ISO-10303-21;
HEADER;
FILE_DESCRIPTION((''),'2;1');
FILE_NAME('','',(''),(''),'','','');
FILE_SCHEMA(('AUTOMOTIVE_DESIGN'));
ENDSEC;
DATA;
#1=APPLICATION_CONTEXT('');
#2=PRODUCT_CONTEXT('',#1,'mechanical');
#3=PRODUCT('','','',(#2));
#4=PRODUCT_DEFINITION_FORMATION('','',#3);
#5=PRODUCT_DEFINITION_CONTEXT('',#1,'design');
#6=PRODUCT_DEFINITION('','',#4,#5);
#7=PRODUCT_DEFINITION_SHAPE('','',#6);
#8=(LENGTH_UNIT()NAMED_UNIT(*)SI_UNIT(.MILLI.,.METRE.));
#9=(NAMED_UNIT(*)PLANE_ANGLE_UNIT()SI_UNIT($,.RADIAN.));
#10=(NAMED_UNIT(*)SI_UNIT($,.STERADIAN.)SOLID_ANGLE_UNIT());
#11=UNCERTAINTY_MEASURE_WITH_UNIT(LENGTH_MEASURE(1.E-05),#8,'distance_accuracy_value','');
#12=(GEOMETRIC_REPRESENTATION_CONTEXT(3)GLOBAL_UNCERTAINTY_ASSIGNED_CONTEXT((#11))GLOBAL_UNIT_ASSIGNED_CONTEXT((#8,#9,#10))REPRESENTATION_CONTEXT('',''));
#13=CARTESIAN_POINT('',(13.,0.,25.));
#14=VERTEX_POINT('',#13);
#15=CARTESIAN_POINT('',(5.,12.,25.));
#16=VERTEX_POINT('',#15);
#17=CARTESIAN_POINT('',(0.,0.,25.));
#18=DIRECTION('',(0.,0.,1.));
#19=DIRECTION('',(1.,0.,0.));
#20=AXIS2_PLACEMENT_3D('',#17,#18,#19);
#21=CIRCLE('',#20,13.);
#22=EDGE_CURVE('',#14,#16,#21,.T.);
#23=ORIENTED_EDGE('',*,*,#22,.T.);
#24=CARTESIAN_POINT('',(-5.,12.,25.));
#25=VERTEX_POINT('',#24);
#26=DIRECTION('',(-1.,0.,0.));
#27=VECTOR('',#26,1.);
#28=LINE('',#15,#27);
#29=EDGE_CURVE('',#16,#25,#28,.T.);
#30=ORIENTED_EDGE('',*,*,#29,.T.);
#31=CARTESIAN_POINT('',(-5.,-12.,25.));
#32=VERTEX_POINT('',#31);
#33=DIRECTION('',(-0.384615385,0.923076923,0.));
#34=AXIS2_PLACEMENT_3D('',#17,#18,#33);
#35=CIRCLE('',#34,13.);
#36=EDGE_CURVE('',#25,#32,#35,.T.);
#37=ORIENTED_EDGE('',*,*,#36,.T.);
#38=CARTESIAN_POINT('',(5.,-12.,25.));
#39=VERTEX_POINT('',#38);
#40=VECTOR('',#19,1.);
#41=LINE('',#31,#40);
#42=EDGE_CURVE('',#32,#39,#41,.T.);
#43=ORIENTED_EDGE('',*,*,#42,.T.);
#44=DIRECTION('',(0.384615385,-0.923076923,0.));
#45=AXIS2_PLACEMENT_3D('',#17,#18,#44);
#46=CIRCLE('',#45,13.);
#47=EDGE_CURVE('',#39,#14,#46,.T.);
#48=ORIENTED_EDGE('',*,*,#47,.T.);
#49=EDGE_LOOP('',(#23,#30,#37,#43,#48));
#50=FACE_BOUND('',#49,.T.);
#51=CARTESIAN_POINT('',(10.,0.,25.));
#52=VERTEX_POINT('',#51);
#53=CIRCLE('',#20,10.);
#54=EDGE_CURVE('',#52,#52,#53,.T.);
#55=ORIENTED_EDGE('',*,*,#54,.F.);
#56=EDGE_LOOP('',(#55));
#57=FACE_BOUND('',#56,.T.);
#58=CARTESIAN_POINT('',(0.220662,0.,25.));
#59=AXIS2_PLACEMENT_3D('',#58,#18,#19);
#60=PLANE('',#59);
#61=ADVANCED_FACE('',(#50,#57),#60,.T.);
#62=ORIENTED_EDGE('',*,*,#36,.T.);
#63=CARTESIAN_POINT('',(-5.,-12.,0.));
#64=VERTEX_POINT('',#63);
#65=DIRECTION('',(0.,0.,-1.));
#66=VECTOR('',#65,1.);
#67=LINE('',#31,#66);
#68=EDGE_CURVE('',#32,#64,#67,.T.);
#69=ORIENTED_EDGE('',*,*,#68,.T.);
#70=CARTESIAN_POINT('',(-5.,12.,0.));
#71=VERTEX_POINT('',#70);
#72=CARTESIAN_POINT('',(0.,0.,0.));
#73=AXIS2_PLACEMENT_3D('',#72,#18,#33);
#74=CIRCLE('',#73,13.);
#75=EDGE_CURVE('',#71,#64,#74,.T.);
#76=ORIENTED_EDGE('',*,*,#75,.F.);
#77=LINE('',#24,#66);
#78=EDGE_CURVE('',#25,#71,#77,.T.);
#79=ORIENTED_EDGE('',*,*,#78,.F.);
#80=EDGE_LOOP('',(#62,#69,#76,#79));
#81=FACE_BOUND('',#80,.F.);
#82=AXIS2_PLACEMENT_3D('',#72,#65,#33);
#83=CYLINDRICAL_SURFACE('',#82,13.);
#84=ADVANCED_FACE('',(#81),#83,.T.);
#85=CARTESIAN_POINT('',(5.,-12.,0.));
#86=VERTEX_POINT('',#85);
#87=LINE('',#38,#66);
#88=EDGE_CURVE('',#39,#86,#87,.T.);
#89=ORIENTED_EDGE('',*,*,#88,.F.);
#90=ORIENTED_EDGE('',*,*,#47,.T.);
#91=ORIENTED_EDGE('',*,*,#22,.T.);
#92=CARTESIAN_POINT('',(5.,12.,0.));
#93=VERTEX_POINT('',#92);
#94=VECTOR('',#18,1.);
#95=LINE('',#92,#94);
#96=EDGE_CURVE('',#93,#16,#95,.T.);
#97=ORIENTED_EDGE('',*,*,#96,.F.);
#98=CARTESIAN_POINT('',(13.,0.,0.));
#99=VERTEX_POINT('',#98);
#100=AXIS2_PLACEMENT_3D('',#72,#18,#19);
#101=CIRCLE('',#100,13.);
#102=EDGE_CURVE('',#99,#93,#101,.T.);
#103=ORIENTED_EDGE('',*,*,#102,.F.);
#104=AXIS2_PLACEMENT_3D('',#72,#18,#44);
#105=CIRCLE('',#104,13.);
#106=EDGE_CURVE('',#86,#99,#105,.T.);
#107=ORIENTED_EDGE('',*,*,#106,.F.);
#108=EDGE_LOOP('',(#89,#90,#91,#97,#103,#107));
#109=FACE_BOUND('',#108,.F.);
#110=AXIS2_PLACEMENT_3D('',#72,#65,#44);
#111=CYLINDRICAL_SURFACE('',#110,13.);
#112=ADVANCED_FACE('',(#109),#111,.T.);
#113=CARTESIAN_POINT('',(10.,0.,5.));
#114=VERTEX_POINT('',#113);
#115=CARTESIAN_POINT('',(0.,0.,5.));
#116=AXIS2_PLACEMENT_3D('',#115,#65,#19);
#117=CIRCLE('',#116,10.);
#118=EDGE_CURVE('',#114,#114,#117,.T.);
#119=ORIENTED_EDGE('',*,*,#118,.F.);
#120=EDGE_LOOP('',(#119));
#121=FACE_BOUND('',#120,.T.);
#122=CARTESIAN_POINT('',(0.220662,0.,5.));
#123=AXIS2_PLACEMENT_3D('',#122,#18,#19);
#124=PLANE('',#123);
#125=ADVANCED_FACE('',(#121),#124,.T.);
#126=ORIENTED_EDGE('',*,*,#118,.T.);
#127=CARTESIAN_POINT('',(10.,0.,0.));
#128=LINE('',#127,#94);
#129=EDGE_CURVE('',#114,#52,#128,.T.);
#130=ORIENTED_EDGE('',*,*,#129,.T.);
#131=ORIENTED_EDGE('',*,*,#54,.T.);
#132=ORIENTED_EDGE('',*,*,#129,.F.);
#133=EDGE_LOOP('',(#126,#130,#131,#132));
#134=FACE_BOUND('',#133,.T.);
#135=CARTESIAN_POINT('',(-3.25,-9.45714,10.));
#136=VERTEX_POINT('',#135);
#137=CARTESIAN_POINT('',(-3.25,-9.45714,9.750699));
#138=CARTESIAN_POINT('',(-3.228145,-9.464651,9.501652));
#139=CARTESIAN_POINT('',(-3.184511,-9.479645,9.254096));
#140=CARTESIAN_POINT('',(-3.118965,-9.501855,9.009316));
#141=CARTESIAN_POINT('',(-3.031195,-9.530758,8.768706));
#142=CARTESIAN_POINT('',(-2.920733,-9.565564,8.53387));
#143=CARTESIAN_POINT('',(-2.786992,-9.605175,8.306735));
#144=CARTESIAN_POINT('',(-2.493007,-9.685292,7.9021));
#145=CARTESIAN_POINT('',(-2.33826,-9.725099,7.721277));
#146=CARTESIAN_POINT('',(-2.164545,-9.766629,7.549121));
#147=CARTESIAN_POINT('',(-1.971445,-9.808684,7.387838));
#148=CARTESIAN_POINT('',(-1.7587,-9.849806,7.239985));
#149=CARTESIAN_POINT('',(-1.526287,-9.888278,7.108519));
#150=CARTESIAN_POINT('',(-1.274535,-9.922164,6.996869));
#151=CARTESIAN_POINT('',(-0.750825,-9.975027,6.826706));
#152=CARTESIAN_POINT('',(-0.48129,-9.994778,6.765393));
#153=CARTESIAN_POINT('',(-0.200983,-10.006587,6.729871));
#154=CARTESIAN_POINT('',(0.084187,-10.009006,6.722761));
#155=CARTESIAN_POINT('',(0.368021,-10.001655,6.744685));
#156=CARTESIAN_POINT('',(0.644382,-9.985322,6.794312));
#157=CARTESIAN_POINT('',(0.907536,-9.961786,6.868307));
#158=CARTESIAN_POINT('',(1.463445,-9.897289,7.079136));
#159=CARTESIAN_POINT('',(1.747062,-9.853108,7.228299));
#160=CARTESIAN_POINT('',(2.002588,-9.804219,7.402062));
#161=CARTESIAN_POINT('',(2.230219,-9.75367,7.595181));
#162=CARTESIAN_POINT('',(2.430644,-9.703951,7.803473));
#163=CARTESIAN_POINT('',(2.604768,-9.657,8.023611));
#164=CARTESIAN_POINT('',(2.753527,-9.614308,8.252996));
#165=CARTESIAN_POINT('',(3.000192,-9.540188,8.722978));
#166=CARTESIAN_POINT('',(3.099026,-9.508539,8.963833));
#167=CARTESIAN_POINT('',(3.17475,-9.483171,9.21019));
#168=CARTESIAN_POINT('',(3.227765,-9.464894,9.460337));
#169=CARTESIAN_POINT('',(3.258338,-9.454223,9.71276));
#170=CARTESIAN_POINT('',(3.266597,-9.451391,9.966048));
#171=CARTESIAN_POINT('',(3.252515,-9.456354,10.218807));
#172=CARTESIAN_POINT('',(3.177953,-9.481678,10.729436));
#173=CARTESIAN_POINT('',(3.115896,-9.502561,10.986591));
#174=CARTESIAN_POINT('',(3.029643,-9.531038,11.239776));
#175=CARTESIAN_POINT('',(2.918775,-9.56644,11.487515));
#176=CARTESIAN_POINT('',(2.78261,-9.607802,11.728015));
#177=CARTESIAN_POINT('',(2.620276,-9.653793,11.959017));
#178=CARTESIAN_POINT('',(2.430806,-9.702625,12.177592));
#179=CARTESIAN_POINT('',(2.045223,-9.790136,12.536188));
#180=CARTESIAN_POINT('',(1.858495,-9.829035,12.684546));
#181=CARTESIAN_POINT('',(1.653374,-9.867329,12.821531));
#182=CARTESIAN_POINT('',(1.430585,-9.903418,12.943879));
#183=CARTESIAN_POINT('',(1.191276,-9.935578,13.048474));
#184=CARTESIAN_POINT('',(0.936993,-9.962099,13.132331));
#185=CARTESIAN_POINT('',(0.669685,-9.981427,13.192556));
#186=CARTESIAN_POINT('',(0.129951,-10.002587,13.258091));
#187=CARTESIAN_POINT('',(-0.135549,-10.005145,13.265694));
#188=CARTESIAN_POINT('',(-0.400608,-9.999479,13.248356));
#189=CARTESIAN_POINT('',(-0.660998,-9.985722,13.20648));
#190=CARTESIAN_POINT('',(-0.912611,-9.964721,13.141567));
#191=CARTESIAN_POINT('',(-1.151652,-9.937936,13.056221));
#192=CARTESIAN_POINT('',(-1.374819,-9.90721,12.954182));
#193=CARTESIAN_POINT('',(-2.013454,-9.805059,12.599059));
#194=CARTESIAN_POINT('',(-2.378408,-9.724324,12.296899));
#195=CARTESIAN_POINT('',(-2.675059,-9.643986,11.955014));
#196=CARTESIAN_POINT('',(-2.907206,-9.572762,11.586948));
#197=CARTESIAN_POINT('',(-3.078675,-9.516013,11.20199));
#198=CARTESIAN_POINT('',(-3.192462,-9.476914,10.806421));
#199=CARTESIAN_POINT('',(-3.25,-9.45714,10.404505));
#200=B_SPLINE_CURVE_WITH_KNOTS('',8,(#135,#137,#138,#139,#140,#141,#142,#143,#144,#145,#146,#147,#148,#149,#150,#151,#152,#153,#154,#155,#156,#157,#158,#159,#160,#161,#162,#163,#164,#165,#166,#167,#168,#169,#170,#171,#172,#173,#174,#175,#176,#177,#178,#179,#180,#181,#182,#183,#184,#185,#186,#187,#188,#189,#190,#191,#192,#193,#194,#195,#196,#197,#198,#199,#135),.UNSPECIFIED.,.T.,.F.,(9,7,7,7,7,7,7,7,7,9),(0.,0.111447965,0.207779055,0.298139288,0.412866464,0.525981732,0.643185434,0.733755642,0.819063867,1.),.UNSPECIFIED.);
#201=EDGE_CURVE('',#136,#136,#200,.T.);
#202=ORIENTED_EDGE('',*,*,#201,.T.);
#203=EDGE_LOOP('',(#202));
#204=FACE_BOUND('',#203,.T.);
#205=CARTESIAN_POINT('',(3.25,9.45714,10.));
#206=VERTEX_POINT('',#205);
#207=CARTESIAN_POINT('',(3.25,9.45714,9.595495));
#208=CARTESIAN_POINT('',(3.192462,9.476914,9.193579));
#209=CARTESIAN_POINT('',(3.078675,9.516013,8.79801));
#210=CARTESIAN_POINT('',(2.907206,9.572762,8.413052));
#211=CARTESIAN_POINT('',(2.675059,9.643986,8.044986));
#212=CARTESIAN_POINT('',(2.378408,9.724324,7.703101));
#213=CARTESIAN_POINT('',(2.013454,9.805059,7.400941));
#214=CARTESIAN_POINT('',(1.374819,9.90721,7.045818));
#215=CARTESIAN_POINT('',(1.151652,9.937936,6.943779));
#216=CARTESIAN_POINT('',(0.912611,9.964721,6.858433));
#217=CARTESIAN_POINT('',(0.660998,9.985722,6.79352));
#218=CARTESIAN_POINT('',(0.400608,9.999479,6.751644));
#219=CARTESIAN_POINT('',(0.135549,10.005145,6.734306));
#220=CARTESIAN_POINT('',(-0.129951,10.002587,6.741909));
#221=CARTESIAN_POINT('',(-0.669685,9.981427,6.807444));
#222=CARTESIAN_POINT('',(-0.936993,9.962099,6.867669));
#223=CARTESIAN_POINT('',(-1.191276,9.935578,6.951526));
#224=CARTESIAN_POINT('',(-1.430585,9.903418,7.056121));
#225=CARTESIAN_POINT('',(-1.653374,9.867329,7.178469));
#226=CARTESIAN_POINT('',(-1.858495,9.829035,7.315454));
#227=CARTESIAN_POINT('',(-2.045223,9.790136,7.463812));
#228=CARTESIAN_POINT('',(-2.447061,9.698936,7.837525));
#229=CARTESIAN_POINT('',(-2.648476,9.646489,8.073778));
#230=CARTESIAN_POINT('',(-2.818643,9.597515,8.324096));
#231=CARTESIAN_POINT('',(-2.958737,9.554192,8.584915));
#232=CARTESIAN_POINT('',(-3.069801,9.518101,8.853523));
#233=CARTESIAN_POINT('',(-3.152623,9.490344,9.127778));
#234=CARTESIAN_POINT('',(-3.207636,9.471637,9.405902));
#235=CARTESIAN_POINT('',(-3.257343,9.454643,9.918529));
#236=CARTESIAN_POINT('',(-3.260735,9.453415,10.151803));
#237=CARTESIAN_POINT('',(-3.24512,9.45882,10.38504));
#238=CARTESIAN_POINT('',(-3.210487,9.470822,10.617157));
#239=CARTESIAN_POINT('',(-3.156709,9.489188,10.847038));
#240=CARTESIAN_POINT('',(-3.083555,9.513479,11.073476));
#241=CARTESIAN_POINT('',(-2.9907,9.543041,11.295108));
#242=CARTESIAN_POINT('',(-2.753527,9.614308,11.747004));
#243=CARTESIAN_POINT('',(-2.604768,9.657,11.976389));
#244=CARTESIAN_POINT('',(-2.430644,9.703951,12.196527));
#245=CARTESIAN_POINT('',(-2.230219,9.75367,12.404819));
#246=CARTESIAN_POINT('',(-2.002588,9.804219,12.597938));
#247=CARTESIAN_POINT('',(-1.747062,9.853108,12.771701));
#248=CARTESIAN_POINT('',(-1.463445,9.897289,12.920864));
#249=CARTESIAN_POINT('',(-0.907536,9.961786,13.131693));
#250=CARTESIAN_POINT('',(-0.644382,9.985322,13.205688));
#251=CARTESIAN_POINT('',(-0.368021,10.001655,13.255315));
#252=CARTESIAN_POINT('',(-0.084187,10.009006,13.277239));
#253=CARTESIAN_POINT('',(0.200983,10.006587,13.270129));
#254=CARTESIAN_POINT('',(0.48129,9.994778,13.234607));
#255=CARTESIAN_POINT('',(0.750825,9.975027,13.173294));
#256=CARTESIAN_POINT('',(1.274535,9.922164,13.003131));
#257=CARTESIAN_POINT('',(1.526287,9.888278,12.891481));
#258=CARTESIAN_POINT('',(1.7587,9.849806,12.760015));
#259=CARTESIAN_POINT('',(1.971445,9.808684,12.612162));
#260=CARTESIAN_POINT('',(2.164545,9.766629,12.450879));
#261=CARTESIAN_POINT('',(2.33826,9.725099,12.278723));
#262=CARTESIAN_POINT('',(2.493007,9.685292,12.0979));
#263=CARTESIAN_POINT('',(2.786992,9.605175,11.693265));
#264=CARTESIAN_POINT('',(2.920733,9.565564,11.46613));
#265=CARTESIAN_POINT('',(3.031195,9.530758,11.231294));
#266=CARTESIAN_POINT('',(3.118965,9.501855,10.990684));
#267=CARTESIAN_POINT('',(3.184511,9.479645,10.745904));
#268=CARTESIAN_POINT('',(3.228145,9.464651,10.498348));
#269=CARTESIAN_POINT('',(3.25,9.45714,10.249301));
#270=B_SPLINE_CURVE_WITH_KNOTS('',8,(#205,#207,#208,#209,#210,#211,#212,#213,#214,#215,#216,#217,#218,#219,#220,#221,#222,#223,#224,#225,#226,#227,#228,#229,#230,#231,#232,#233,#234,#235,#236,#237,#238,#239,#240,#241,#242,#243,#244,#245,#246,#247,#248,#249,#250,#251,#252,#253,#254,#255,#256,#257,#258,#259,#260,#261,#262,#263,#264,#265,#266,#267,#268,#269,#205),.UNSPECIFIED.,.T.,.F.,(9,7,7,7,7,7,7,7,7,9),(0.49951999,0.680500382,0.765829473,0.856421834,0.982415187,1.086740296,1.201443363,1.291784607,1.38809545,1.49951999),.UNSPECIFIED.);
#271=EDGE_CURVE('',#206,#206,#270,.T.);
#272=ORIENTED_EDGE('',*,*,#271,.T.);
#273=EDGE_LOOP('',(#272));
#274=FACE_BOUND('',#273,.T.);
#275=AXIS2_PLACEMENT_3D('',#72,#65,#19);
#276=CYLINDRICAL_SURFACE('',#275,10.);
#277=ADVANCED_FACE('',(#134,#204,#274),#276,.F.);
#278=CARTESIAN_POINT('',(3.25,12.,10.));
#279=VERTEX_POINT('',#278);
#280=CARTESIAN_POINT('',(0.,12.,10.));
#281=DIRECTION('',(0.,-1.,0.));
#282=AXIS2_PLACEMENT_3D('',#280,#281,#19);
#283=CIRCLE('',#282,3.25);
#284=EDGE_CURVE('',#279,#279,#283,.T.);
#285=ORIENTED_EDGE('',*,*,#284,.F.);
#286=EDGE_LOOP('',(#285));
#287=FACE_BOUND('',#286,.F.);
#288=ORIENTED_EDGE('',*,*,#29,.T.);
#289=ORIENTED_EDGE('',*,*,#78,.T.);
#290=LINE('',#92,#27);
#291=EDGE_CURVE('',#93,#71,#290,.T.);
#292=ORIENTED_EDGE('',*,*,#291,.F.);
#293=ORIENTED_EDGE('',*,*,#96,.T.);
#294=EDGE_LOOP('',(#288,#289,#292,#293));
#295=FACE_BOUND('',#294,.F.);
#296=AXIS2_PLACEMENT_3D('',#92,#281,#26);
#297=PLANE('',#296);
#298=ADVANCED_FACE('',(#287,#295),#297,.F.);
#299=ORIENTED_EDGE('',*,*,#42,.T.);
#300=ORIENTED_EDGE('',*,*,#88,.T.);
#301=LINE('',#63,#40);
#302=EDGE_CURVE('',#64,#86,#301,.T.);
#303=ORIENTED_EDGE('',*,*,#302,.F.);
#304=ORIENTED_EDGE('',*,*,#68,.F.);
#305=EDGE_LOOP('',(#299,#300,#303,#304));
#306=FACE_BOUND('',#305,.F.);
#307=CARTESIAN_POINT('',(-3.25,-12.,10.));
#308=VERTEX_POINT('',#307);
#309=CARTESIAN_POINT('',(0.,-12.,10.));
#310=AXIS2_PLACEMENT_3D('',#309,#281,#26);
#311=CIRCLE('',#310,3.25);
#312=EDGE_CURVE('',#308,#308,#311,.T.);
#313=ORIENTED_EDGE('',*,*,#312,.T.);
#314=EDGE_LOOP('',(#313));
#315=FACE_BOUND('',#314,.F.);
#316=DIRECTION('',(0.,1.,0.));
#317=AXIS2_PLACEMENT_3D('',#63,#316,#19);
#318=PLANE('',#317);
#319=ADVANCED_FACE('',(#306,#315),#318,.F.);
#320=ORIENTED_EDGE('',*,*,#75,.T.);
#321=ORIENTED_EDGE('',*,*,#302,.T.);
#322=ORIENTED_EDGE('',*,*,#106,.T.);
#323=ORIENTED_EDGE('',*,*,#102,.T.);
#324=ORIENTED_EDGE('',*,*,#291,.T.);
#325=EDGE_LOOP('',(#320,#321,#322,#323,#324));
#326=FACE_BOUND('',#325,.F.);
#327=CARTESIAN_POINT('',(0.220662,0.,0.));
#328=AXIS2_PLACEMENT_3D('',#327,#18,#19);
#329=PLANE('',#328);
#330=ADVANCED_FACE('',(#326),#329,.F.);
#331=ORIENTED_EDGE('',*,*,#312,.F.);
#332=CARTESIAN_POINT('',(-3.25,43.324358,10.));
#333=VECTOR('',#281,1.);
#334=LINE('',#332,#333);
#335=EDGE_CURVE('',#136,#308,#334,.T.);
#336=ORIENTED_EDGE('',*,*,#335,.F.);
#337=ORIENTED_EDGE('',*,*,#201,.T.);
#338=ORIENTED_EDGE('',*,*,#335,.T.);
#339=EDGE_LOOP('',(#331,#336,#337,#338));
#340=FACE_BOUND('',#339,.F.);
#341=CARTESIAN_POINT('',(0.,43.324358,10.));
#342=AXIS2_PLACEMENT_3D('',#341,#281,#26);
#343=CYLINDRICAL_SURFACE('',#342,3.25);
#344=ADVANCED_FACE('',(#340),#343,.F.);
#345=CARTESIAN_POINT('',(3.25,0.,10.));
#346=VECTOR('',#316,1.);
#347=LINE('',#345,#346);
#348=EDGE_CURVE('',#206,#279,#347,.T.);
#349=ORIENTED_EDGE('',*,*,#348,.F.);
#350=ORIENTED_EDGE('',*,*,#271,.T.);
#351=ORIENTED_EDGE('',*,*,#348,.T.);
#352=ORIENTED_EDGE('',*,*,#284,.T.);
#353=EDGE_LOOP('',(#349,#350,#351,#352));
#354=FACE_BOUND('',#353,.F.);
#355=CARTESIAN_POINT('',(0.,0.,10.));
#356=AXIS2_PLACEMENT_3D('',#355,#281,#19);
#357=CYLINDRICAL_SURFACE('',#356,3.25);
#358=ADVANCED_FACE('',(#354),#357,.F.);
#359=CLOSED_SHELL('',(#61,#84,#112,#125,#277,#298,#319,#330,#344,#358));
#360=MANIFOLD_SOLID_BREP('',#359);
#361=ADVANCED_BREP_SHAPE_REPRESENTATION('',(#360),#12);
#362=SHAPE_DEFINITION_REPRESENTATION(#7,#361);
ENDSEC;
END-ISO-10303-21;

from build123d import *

# Parameters (mm, degrees)
F0_R     = 10
F1_DEPTH = 5
F2_DEPTH = 25
F4_D     = 6.5
F4_DEPTH = 12.001
F6_D     = 6.5


with BuildPart() as f1:
    # F0 (on Top) → F1 (new body)
    with BuildSketch(Plane.XY):
        with BuildLine():
            ThreePointArc((5, -12), (10.8166538264, -7.2111025509), (13, 0))
            ThreePointArc((13, 0), (10.8166538264, 7.2111025509), (5, 12))
            Line((5, 12), (-5, 12))
            ThreePointArc((-5, 12), (-13, 0), (-5, -12))
            Line((-5, -12), (5, -12))
        make_face()
        Circle(F0_R, mode=Mode.SUBTRACT)
        Circle(F0_R)
    extrude(amount=F1_DEPTH)

    # F0 (on Top) → F2 (join)
    with BuildSketch(Plane.XY):
        with BuildLine():
            ThreePointArc((5, -12), (10.8166538264, -7.2111025509), (13, 0))
            ThreePointArc((13, 0), (10.8166538264, 7.2111025509), (5, 12))
            Line((5, 12), (-5, 12))
            ThreePointArc((-5, 12), (-13, 0), (-5, -12))
            Line((-5, -12), (5, -12))
        make_face()
        Circle(F0_R, mode=Mode.SUBTRACT)
    extrude(amount=F2_DEPTH)

    # F4 (through all, one way)
    with BuildSketch(Plane.XZ):
        with Locations((0, 10)):
            Circle(F4_D / 2)
    extrude(amount=-F4_DEPTH, mode=Mode.SUBTRACT)

    # F6 (through all)
    with Locations(Plane(origin=(0, 0, 0), x_dir=(1, 0, 0), z_dir=(0, 1, 0))):
        with Locations((0, -10)):
            Hole(F6_D / 2)


solid = f1.part
